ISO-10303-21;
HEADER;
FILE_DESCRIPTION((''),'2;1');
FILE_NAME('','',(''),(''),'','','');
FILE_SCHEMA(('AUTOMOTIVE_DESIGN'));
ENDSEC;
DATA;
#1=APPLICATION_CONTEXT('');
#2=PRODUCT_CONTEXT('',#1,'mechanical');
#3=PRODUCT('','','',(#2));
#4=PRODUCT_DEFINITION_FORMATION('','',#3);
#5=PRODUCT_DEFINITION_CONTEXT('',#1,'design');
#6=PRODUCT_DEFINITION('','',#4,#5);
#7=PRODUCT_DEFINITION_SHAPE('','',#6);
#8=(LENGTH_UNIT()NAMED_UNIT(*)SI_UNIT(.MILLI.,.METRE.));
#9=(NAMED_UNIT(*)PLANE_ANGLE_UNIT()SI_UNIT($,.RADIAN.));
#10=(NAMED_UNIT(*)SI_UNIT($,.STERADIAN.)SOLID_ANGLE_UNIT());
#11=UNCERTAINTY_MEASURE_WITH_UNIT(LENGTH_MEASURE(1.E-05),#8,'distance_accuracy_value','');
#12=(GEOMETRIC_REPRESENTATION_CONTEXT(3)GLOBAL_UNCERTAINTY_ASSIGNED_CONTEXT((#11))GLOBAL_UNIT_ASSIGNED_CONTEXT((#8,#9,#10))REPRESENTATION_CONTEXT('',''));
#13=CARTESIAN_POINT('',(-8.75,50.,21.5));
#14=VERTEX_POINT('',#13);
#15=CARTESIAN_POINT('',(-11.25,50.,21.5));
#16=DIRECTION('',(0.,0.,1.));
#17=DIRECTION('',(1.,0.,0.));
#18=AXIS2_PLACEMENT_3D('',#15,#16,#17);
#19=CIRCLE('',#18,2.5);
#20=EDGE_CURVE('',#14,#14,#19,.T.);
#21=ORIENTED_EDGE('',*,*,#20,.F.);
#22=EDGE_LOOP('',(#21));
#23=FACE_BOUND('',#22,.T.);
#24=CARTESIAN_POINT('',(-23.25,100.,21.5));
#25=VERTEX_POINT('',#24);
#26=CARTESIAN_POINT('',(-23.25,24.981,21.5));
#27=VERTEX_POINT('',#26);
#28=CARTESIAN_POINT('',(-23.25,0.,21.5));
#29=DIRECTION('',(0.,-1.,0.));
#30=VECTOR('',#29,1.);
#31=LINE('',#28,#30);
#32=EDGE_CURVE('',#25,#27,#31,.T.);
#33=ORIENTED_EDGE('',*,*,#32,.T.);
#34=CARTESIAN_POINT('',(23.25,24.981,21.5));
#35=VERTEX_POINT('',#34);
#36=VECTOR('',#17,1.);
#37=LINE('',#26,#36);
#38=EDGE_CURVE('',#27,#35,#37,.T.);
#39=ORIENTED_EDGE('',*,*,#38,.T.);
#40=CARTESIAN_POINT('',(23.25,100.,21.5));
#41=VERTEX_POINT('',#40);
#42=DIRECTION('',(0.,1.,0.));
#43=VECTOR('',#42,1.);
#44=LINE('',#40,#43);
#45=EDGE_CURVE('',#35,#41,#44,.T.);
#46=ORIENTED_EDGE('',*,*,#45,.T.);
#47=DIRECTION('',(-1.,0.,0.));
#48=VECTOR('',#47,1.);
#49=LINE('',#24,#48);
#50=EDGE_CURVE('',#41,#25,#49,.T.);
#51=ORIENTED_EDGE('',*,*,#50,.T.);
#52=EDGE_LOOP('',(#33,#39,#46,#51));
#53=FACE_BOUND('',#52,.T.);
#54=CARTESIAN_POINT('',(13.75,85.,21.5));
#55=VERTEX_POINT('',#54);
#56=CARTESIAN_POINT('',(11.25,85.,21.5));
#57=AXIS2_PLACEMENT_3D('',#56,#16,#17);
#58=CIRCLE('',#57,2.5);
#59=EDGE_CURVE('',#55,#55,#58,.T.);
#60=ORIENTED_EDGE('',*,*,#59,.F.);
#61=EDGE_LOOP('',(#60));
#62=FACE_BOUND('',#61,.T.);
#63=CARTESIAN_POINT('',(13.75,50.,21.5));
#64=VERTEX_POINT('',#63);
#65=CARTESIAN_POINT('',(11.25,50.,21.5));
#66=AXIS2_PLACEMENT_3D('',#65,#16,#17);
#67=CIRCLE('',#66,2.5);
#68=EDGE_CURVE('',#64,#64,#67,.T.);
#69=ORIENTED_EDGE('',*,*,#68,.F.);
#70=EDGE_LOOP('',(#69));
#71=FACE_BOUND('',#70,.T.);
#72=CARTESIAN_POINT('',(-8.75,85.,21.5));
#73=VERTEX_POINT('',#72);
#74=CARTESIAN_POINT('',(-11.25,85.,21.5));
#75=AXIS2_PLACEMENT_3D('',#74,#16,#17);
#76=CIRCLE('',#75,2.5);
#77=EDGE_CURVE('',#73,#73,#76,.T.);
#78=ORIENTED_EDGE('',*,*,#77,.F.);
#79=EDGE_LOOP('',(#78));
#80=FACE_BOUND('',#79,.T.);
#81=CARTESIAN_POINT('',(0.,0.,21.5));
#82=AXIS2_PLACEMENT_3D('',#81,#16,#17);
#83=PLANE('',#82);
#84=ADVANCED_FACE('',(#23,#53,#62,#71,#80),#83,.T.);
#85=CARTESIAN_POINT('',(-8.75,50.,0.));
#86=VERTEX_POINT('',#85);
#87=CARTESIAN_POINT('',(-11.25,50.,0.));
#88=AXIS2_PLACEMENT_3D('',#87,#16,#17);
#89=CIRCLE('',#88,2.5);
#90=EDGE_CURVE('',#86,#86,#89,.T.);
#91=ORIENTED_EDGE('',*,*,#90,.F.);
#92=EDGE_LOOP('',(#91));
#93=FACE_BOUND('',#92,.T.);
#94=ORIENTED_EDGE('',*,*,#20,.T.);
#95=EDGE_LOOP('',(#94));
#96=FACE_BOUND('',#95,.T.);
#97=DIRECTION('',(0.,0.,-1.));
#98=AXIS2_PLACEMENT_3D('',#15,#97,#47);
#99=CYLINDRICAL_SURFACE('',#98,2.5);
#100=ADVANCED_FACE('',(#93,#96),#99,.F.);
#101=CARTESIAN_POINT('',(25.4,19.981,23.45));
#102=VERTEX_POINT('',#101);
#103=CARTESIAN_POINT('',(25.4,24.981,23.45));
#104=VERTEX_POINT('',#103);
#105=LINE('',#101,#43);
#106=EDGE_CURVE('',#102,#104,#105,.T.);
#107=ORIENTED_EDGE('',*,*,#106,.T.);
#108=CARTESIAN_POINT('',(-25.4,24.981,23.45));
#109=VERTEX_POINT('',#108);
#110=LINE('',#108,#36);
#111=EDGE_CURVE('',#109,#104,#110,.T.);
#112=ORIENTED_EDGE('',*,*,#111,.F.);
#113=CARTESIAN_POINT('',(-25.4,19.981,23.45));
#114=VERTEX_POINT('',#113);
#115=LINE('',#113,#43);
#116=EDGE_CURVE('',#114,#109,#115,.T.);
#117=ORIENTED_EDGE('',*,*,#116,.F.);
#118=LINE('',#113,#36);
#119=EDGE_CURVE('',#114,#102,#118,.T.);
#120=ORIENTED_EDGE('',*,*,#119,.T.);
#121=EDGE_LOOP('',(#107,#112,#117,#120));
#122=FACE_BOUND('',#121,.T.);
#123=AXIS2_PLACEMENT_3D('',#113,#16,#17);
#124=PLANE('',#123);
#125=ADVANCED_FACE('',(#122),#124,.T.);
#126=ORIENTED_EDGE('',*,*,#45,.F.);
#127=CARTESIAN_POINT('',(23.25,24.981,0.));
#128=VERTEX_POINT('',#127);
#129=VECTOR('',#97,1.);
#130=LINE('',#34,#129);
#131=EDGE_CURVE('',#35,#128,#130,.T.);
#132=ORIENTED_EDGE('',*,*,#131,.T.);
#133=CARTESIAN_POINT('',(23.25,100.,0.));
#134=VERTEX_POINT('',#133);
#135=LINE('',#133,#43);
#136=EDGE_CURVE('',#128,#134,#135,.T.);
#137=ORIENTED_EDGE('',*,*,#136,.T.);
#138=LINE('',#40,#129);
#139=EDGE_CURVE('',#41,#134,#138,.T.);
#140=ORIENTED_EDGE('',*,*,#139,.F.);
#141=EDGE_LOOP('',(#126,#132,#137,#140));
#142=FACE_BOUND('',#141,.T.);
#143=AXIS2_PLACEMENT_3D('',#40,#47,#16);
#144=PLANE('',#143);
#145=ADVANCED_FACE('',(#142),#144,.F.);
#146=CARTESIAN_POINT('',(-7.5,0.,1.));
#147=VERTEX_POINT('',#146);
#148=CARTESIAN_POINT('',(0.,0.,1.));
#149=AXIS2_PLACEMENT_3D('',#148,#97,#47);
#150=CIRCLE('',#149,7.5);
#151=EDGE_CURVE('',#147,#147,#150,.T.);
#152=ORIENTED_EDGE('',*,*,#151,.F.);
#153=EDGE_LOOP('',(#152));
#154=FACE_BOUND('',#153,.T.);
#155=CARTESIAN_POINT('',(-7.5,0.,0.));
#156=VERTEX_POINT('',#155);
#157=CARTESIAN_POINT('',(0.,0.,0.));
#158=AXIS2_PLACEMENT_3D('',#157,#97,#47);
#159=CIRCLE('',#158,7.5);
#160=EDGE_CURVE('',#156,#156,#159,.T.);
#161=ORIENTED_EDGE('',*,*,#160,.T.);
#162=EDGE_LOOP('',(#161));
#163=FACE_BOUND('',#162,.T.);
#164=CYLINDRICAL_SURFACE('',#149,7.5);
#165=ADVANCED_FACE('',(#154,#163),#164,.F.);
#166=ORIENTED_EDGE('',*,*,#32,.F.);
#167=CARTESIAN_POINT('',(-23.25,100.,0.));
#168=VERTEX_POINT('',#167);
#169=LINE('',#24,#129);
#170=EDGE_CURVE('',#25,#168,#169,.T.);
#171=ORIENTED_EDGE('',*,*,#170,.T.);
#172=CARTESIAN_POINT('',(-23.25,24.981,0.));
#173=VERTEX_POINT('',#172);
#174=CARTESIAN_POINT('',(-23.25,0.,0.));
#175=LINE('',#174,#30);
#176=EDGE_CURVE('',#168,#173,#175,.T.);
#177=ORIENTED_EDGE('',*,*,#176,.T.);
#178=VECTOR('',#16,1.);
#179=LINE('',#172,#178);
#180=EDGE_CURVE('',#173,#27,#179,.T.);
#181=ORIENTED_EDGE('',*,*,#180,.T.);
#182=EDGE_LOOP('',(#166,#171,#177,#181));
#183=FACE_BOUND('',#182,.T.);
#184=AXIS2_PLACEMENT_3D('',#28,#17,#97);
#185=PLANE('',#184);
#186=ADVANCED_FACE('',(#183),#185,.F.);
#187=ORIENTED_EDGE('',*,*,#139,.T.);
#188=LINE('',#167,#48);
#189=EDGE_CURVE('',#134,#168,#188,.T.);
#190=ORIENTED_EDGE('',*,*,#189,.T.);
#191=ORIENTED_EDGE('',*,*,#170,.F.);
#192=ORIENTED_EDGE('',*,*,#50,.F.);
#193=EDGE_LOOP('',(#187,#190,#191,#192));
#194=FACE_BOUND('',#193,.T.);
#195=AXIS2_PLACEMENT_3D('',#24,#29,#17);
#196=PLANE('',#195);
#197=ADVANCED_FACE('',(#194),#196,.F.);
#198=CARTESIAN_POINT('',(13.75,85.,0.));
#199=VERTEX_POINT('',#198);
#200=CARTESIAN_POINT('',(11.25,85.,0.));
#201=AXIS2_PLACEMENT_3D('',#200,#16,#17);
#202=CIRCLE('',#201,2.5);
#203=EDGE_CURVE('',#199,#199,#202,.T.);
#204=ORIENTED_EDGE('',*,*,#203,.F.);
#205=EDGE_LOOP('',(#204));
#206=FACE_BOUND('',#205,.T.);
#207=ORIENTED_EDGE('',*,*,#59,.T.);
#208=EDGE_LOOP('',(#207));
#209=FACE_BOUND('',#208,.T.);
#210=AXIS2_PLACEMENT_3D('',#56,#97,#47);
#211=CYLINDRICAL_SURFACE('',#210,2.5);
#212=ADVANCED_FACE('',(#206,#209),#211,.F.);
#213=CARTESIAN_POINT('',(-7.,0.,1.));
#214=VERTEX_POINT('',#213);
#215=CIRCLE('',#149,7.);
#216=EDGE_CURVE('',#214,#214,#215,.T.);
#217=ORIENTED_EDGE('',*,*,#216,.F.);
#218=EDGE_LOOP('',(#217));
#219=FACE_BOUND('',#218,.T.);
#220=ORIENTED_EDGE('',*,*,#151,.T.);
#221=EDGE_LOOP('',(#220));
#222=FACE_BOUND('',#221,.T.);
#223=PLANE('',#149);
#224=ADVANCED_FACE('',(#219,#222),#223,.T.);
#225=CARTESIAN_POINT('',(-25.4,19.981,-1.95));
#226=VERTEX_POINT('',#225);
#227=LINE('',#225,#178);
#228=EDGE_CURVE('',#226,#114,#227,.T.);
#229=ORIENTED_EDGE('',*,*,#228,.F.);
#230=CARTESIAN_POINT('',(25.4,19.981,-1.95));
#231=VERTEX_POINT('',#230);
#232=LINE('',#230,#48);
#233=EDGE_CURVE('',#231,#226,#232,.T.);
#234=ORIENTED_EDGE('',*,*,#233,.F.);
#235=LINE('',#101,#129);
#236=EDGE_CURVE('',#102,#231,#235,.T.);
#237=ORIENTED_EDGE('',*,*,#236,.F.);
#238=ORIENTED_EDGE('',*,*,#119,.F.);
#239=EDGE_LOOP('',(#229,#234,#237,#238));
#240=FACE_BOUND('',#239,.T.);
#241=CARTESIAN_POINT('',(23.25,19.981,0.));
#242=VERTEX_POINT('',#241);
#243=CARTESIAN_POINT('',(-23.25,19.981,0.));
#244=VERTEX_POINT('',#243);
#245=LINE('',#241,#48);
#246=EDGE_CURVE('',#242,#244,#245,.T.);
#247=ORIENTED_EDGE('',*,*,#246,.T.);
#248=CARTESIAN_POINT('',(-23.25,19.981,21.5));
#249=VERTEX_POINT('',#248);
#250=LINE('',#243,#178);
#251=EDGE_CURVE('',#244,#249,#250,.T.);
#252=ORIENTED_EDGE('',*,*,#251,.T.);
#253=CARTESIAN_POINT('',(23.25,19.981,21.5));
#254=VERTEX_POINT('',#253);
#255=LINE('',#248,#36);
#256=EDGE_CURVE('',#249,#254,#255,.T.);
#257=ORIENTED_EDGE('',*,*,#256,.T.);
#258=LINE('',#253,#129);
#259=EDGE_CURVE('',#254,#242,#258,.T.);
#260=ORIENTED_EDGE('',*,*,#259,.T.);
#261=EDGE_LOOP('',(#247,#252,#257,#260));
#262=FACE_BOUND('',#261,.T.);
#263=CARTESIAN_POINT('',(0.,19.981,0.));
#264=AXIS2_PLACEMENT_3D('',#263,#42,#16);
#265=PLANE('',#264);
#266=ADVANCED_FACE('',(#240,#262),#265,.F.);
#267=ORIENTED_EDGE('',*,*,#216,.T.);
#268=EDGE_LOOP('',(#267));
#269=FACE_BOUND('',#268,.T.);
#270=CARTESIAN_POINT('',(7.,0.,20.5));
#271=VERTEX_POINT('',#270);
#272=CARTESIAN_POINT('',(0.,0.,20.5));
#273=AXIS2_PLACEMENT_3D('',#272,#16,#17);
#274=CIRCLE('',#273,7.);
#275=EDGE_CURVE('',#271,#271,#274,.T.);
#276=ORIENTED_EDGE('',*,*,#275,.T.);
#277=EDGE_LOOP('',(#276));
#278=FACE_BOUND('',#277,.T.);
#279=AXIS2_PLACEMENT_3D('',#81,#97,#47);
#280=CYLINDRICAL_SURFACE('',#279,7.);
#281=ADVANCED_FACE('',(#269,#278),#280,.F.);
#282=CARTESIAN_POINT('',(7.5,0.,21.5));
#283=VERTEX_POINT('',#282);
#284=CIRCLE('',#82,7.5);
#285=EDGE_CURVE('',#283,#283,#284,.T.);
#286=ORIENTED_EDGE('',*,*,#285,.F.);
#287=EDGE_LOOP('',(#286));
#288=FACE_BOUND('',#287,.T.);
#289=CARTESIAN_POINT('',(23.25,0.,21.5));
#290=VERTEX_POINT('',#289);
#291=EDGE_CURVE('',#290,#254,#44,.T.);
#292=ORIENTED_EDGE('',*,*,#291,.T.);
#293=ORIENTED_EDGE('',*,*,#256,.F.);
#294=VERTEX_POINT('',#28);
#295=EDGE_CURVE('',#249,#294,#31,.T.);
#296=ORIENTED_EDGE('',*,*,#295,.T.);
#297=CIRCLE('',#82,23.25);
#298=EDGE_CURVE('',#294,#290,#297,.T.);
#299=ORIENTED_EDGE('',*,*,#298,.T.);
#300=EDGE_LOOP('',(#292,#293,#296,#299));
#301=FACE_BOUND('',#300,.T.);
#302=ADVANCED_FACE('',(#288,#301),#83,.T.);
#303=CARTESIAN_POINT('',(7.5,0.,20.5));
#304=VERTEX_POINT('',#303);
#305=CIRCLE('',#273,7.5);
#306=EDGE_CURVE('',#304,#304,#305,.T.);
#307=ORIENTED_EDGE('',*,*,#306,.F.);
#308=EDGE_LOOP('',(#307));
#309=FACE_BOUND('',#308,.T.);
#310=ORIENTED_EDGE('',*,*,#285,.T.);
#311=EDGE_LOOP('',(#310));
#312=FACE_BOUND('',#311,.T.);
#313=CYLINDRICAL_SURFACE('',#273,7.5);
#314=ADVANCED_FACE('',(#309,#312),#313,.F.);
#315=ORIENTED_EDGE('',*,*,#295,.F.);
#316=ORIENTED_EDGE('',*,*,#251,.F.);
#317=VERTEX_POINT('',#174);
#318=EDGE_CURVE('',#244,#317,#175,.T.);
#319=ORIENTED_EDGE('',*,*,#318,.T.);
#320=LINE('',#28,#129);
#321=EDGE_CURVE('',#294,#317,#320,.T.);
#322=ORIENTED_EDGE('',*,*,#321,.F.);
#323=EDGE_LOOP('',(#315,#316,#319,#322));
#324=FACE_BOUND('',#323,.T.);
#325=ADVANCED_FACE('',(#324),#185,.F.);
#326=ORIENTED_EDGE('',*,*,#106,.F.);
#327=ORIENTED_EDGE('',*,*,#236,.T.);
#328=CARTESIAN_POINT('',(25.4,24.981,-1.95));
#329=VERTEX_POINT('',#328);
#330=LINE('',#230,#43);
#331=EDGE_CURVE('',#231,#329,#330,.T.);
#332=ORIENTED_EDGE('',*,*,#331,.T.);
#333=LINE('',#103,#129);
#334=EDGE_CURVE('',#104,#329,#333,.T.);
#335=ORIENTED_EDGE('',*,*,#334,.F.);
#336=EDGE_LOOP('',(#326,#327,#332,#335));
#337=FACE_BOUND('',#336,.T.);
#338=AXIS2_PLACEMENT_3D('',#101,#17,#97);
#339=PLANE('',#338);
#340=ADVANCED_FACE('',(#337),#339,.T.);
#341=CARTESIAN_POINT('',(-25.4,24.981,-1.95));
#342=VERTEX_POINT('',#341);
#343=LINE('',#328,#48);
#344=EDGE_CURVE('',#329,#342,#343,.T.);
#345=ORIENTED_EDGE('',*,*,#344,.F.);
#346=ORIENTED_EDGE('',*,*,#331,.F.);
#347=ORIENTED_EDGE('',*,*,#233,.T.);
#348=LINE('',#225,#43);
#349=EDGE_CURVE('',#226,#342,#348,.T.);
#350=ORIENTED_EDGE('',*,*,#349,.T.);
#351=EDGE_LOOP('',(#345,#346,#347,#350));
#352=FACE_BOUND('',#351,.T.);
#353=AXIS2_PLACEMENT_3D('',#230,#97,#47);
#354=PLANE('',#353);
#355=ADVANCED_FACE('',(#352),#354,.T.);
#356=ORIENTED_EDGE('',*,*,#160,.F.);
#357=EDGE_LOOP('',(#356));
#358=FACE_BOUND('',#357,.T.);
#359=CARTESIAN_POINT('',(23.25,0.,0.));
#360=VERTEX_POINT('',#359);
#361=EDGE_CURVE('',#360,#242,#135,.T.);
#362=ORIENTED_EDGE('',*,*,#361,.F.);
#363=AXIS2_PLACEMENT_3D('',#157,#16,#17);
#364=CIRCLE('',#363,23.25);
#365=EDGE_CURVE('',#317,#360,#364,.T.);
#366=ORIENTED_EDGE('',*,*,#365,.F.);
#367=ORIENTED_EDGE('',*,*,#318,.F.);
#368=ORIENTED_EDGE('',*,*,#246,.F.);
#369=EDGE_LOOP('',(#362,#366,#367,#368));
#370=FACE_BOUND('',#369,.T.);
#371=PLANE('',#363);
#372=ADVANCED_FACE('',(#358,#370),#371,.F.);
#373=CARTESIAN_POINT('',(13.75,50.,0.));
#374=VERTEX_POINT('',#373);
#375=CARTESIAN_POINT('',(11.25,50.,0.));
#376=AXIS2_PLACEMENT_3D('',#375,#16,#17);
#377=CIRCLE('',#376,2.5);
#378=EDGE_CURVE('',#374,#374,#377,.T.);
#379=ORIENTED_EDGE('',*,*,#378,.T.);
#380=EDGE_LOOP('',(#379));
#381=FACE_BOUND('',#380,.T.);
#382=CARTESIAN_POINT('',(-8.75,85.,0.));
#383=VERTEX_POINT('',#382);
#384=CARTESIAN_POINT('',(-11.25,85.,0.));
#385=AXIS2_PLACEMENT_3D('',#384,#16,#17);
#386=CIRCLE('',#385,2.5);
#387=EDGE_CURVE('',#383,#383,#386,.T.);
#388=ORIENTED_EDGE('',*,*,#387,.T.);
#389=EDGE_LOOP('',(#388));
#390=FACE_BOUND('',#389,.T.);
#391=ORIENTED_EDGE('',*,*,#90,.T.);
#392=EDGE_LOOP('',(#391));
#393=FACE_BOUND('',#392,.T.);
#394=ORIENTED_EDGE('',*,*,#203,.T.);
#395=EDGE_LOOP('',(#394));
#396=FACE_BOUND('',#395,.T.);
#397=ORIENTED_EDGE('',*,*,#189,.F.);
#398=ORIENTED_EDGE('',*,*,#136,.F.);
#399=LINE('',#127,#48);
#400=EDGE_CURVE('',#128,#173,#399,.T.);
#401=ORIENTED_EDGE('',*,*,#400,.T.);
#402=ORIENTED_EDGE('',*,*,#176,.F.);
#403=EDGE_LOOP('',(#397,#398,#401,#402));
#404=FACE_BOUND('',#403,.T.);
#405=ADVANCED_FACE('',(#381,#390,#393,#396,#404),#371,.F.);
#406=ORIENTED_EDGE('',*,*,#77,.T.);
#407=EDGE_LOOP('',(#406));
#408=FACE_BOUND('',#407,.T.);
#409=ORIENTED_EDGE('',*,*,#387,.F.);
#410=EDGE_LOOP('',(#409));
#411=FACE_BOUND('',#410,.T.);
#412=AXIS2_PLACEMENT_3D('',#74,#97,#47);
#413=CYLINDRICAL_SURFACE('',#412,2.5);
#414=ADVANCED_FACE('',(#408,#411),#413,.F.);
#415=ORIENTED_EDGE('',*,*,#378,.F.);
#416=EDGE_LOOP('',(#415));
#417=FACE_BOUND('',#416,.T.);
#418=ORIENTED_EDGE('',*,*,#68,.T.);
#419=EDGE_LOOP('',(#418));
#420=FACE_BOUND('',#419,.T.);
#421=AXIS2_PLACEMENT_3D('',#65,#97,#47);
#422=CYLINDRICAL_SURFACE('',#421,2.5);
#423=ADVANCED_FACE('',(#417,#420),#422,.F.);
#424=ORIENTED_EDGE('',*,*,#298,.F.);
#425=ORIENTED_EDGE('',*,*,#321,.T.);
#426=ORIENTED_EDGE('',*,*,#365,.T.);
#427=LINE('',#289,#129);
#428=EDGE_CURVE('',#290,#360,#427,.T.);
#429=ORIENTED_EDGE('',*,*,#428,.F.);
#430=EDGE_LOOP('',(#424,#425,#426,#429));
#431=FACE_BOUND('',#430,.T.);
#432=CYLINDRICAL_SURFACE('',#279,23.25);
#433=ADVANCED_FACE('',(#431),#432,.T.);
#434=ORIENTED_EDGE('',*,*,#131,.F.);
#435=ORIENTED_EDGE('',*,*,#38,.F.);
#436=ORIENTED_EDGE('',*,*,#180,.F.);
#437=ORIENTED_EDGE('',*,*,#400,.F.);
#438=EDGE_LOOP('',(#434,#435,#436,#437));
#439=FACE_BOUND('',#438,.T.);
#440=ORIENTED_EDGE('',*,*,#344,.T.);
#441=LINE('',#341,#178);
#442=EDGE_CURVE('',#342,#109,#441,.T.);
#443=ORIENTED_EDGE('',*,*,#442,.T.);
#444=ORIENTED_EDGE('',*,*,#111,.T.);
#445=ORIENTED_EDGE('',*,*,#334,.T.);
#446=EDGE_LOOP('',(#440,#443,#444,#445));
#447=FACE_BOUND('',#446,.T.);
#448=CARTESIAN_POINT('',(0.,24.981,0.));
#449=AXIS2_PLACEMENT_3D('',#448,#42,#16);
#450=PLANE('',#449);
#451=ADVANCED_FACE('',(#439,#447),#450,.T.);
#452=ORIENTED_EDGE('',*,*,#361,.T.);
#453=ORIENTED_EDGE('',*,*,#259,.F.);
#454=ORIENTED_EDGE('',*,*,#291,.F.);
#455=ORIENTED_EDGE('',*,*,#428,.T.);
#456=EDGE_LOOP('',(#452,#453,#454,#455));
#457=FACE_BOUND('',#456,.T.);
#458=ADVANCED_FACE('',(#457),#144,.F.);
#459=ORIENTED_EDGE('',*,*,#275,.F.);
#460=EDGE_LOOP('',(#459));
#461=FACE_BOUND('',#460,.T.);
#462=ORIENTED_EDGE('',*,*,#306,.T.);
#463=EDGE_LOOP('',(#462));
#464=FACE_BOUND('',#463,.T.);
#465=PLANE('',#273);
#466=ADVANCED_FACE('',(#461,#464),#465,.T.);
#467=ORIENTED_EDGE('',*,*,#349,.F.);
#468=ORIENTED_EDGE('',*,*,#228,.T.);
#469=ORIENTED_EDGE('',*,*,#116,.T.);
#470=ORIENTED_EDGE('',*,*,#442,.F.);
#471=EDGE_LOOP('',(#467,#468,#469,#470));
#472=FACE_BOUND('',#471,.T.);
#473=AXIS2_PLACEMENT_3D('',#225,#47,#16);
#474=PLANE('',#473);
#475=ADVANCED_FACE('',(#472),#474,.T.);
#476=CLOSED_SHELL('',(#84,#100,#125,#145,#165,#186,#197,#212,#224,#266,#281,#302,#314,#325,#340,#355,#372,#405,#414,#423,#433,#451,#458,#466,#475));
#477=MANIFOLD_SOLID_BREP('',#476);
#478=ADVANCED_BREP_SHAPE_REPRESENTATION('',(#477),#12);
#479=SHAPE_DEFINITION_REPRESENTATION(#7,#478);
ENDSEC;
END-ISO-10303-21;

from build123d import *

# Parameters (mm, degrees)
SKETCH1_R           = 7
SKETCH1_R_2         = 2.5
BOSS_EXTRUDE1_DEPTH = 21.5
SKETCH2_R           = 7.5
CUT_EXTRUDE1_DEPTH  = 1
CUT_EXTRUDE2_START  = -1
SKETCH3_R           = 7.5
CUT_EXTRUDE2_DEPTH  = 1
SKETCH5_W           = 50.8
SKETCH5_H           = 25.4
SKETCH5_W_2         = 46.5
SKETCH5_H_2         = 21.5
BOSS_EXTRUDE2_DEPTH = 5


with BuildPart() as part:
    # Sketch1 → Boss-Extrude1 (new body)
    with BuildSketch(Plane.XY):
        with BuildLine():
            Line((-23.25, 0), (-23.25, 100))
            Line((-23.25, 100), (23.25, 100))
            Line((23.25, 100), (23.25, 0))
            ThreePointArc((23.25, 0), (0, -23.25), (-23.25, 0))
        make_face()
        Circle(SKETCH1_R, mode=Mode.SUBTRACT)
        with Locations((-11.25, 85)):
            Circle(SKETCH1_R_2, mode=Mode.SUBTRACT)
        with Locations((11.25, 85)):
            Circle(SKETCH1_R_2, mode=Mode.SUBTRACT)
        with Locations((11.25, 50)):
            Circle(SKETCH1_R_2, mode=Mode.SUBTRACT)
        with Locations((-11.25, 50)):
            Circle(SKETCH1_R_2, mode=Mode.SUBTRACT)
    extrude(amount=BOSS_EXTRUDE1_DEPTH)

    # Sketch2 → Cut-Extrude1 (cut)
    with BuildSketch(Plane.XY.offset(21.5)):
        Circle(SKETCH2_R)
    extrude(amount=-CUT_EXTRUDE1_DEPTH, mode=Mode.SUBTRACT)

    # Sketch3 → Cut-Extrude2 (cut)
    with BuildSketch(Plane(origin=(0, 0, 0), x_dir=(-1, 0, 0), z_dir=(0, 0, -1)).offset(CUT_EXTRUDE2_START)):
        with Locations(Location((0, 0, 0), (0, 0, 180))):
            Circle(SKETCH3_R)
    extrude(amount=CUT_EXTRUDE2_DEPTH, mode=Mode.SUBTRACT)

    # Sketch5 → Boss-Extrude2 (add)
    with BuildSketch(Plane(origin=(0, 24.981, 0), x_dir=(1, 0, 0), z_dir=(0, 1, 0))):
        with Locations((0, -10.75)):
            Rectangle(SKETCH5_W, SKETCH5_H)
        with Locations((0, -10.75)):
            Rectangle(SKETCH5_W_2, SKETCH5_H_2, mode=Mode.SUBTRACT)
    extrude(amount=-BOSS_EXTRUDE2_DEPTH)


solid = part.part
